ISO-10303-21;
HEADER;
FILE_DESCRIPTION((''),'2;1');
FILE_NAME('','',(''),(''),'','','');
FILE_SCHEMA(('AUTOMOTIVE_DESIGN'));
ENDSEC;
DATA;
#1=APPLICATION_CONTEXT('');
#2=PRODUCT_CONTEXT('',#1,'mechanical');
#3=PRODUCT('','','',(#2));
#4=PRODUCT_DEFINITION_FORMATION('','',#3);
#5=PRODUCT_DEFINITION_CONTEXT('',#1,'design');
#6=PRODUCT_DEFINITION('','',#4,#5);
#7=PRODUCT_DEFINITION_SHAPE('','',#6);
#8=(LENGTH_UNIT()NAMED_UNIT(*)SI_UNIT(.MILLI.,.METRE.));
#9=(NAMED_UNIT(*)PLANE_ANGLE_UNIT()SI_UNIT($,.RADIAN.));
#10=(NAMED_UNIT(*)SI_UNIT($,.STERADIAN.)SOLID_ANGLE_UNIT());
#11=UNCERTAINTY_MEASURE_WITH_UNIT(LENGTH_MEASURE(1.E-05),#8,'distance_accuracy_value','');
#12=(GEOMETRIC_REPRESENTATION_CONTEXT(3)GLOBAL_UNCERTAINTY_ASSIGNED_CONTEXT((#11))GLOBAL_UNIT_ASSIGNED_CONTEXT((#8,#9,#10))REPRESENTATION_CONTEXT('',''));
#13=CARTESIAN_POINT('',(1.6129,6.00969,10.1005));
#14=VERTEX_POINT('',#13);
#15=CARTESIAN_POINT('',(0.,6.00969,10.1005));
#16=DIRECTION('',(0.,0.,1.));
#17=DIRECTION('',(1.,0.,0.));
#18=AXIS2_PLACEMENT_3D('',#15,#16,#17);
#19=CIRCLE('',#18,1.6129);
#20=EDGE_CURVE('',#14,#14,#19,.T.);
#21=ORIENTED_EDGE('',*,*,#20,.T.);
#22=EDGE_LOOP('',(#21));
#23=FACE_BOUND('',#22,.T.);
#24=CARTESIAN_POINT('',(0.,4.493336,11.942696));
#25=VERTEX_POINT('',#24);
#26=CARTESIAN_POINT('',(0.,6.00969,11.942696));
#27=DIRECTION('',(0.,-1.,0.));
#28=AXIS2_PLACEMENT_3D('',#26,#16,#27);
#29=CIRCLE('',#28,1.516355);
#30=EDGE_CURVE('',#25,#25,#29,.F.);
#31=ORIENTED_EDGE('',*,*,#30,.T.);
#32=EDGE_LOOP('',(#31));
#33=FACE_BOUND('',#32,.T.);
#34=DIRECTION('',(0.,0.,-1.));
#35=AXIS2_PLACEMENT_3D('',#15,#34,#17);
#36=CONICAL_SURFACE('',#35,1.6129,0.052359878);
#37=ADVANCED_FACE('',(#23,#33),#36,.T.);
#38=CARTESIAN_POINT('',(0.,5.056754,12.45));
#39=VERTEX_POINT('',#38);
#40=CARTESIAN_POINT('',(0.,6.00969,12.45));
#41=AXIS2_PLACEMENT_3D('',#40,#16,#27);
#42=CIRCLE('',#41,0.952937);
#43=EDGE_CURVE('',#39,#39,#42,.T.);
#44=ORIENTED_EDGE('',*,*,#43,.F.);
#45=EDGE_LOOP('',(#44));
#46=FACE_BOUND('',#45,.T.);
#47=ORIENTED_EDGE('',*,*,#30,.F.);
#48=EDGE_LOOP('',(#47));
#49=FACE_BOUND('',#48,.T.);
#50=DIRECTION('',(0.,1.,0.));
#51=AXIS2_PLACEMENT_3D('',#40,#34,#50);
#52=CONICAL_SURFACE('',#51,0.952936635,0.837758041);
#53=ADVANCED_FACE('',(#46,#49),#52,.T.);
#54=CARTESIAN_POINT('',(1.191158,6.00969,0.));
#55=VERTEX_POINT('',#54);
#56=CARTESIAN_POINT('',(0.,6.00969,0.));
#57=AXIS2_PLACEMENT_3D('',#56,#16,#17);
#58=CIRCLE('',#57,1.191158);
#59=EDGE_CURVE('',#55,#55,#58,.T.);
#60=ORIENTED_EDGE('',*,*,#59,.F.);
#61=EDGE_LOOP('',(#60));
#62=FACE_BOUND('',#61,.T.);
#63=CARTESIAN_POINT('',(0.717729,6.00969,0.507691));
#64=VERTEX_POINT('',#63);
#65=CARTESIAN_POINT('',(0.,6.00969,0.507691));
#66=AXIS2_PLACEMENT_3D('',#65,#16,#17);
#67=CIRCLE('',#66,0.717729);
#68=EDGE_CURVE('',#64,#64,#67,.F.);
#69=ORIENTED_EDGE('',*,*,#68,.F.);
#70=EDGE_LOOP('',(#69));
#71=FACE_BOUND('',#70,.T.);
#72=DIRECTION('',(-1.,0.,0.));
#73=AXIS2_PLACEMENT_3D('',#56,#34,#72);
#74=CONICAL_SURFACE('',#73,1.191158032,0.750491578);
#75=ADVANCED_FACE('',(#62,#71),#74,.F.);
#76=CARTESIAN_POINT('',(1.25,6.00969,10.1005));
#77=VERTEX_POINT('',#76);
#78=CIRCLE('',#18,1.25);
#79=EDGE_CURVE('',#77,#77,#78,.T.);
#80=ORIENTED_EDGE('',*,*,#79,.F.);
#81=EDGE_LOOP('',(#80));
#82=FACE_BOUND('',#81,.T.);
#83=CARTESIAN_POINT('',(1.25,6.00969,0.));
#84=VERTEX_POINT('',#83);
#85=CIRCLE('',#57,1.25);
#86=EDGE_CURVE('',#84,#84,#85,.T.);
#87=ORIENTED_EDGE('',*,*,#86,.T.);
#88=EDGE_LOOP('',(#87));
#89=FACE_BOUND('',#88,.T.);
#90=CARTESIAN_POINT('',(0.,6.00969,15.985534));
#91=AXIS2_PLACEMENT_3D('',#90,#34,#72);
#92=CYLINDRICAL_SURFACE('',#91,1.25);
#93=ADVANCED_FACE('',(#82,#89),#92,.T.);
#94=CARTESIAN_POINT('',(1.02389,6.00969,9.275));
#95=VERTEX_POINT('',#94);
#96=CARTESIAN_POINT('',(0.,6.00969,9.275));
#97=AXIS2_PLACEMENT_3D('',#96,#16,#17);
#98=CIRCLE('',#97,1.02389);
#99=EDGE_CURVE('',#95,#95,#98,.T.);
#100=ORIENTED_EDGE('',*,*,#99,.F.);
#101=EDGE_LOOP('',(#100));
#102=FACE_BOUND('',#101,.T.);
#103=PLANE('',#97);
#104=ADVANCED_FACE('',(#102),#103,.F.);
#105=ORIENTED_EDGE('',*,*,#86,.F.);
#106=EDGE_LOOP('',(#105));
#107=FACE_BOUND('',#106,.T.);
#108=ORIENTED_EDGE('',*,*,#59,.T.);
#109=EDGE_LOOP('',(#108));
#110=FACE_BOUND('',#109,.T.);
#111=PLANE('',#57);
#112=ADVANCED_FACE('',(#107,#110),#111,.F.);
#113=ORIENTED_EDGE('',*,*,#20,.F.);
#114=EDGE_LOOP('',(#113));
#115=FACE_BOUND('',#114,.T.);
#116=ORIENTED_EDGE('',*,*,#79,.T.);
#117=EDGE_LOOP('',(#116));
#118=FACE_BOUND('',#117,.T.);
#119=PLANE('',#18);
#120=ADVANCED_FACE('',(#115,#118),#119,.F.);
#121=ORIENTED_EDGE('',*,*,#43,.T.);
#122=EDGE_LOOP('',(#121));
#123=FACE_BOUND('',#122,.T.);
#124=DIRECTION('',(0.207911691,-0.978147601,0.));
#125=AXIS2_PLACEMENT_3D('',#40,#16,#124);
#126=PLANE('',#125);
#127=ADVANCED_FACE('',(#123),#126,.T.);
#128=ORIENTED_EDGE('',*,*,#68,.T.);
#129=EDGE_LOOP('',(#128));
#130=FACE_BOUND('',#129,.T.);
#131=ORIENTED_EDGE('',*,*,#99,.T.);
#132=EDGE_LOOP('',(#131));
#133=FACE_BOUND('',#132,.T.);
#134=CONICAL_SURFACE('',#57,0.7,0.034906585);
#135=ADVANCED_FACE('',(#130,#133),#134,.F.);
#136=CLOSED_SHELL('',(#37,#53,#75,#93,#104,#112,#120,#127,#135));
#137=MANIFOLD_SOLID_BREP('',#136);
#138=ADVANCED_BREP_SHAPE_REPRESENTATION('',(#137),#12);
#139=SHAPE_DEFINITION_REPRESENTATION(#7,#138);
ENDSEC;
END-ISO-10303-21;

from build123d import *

# Parameters (mm, degrees)
SKETCH1_R           = 1.25
SKETCH1_R_2         = 0.7
BOSS_EXTRUDE1_DEPTH = 12.45
DRAFT1_ANGLE        = -2
BOSS_EXTRUDE2_START = -3.175
SKETCH2_R           = 1.25
BOSS_EXTRUDE2_DEPTH = 3.175
BOSS_EXTRUDE3_START = -2.3495
SKETCH3_R           = 1.6129
SKETCH3_R_2         = 1.25
BOSS_EXTRUDE3_DEPTH = 2.3495
DRAFT2_ANGLE        = -3
CHAMFER1_SIZE       = 0.508
CHAMFER1_SIZE2      = 0.491158032
CHAMFER2_SIZE       = 0.508
CHAMFER2_SIZE2      = 0.536831287


with BuildPart() as part:
    # Sketch1 → Boss-Extrude1 (new body)
    with BuildSketch(Plane.XY):
        with Locations(Location((0, 6.009690382, 0), (0, 0, 270))):
            Circle(SKETCH1_R)
        with Locations(Location((0, 6.009690382, 0), (0, 0, 270))):
            Circle(SKETCH1_R_2, mode=Mode.SUBTRACT)
    extrude(amount=BOSS_EXTRUDE1_DEPTH)

    # Draft1
    draft1_faces = [part.faces().sort_by_distance(p)[0] for p in [
        (0, 6.709690382, 6.225),
    ]]
    draft(draft1_faces, Plane(origin=(0, 6.009690382, 0), x_dir=(-1, 0, 0), z_dir=(0, 0, -1)), DRAFT1_ANGLE)

    # Sketch2 → Boss-Extrude2 (add)
    with BuildSketch(Plane.XY.offset(12.45).offset(BOSS_EXTRUDE2_START)):
        with Locations(Location((0, 6.009690382, 0), (0, 0, 270))):
            Circle(SKETCH2_R)
    extrude(amount=BOSS_EXTRUDE2_DEPTH)

    # Sketch3 → Boss-Extrude3 (add)
    with BuildSketch(Plane.XY.offset(12.45).offset(BOSS_EXTRUDE3_START)):
        with Locations((0, 6.009690382)):
            Circle(SKETCH3_R)
        with Locations((0, 6.009690382)):
            Circle(SKETCH3_R_2, mode=Mode.SUBTRACT)
    extrude(amount=BOSS_EXTRUDE3_DEPTH)

    # Draft2
    draft2_faces = [part.faces().sort_by_distance(p)[0] for p in [
        (-1.6129, 6.009690382, 11.27525),
    ]]
    draft(draft2_faces, Plane(origin=(0, 6.009690382, 10.1005), x_dir=(-1, 0, 0), z_dir=(0, 0, -1)), DRAFT2_ANGLE)

    # Chamfer1
    chamfer1_edges = [part.edges().sort_by_distance(p)[0] for p in [
        (0, 6.709690382, 0),
    ]]
    chamfer1_side = [part.faces().sort_by_distance(p)[0] for p in [
        (0, 6.871635451, 4.6375),
    ]]
    chamfer(chamfer1_edges, length=CHAMFER1_SIZE, length2=CHAMFER1_SIZE2, reference=chamfer1_side[0])

    # Chamfer2
    chamfer2_edges = [part.edges().sort_by_distance(p)[0] for p in [
        (-1.489767923, 6.009690382, 12.45),
    ]]
    chamfer2_side = [part.faces().sort_by_distance(p)[0] for p in [
        (-1.551333961, 6.009690382, 11.27525),
    ]]
    chamfer(chamfer2_edges, length=CHAMFER2_SIZE, length2=CHAMFER2_SIZE2, reference=chamfer2_side[0])


solid = part.part
